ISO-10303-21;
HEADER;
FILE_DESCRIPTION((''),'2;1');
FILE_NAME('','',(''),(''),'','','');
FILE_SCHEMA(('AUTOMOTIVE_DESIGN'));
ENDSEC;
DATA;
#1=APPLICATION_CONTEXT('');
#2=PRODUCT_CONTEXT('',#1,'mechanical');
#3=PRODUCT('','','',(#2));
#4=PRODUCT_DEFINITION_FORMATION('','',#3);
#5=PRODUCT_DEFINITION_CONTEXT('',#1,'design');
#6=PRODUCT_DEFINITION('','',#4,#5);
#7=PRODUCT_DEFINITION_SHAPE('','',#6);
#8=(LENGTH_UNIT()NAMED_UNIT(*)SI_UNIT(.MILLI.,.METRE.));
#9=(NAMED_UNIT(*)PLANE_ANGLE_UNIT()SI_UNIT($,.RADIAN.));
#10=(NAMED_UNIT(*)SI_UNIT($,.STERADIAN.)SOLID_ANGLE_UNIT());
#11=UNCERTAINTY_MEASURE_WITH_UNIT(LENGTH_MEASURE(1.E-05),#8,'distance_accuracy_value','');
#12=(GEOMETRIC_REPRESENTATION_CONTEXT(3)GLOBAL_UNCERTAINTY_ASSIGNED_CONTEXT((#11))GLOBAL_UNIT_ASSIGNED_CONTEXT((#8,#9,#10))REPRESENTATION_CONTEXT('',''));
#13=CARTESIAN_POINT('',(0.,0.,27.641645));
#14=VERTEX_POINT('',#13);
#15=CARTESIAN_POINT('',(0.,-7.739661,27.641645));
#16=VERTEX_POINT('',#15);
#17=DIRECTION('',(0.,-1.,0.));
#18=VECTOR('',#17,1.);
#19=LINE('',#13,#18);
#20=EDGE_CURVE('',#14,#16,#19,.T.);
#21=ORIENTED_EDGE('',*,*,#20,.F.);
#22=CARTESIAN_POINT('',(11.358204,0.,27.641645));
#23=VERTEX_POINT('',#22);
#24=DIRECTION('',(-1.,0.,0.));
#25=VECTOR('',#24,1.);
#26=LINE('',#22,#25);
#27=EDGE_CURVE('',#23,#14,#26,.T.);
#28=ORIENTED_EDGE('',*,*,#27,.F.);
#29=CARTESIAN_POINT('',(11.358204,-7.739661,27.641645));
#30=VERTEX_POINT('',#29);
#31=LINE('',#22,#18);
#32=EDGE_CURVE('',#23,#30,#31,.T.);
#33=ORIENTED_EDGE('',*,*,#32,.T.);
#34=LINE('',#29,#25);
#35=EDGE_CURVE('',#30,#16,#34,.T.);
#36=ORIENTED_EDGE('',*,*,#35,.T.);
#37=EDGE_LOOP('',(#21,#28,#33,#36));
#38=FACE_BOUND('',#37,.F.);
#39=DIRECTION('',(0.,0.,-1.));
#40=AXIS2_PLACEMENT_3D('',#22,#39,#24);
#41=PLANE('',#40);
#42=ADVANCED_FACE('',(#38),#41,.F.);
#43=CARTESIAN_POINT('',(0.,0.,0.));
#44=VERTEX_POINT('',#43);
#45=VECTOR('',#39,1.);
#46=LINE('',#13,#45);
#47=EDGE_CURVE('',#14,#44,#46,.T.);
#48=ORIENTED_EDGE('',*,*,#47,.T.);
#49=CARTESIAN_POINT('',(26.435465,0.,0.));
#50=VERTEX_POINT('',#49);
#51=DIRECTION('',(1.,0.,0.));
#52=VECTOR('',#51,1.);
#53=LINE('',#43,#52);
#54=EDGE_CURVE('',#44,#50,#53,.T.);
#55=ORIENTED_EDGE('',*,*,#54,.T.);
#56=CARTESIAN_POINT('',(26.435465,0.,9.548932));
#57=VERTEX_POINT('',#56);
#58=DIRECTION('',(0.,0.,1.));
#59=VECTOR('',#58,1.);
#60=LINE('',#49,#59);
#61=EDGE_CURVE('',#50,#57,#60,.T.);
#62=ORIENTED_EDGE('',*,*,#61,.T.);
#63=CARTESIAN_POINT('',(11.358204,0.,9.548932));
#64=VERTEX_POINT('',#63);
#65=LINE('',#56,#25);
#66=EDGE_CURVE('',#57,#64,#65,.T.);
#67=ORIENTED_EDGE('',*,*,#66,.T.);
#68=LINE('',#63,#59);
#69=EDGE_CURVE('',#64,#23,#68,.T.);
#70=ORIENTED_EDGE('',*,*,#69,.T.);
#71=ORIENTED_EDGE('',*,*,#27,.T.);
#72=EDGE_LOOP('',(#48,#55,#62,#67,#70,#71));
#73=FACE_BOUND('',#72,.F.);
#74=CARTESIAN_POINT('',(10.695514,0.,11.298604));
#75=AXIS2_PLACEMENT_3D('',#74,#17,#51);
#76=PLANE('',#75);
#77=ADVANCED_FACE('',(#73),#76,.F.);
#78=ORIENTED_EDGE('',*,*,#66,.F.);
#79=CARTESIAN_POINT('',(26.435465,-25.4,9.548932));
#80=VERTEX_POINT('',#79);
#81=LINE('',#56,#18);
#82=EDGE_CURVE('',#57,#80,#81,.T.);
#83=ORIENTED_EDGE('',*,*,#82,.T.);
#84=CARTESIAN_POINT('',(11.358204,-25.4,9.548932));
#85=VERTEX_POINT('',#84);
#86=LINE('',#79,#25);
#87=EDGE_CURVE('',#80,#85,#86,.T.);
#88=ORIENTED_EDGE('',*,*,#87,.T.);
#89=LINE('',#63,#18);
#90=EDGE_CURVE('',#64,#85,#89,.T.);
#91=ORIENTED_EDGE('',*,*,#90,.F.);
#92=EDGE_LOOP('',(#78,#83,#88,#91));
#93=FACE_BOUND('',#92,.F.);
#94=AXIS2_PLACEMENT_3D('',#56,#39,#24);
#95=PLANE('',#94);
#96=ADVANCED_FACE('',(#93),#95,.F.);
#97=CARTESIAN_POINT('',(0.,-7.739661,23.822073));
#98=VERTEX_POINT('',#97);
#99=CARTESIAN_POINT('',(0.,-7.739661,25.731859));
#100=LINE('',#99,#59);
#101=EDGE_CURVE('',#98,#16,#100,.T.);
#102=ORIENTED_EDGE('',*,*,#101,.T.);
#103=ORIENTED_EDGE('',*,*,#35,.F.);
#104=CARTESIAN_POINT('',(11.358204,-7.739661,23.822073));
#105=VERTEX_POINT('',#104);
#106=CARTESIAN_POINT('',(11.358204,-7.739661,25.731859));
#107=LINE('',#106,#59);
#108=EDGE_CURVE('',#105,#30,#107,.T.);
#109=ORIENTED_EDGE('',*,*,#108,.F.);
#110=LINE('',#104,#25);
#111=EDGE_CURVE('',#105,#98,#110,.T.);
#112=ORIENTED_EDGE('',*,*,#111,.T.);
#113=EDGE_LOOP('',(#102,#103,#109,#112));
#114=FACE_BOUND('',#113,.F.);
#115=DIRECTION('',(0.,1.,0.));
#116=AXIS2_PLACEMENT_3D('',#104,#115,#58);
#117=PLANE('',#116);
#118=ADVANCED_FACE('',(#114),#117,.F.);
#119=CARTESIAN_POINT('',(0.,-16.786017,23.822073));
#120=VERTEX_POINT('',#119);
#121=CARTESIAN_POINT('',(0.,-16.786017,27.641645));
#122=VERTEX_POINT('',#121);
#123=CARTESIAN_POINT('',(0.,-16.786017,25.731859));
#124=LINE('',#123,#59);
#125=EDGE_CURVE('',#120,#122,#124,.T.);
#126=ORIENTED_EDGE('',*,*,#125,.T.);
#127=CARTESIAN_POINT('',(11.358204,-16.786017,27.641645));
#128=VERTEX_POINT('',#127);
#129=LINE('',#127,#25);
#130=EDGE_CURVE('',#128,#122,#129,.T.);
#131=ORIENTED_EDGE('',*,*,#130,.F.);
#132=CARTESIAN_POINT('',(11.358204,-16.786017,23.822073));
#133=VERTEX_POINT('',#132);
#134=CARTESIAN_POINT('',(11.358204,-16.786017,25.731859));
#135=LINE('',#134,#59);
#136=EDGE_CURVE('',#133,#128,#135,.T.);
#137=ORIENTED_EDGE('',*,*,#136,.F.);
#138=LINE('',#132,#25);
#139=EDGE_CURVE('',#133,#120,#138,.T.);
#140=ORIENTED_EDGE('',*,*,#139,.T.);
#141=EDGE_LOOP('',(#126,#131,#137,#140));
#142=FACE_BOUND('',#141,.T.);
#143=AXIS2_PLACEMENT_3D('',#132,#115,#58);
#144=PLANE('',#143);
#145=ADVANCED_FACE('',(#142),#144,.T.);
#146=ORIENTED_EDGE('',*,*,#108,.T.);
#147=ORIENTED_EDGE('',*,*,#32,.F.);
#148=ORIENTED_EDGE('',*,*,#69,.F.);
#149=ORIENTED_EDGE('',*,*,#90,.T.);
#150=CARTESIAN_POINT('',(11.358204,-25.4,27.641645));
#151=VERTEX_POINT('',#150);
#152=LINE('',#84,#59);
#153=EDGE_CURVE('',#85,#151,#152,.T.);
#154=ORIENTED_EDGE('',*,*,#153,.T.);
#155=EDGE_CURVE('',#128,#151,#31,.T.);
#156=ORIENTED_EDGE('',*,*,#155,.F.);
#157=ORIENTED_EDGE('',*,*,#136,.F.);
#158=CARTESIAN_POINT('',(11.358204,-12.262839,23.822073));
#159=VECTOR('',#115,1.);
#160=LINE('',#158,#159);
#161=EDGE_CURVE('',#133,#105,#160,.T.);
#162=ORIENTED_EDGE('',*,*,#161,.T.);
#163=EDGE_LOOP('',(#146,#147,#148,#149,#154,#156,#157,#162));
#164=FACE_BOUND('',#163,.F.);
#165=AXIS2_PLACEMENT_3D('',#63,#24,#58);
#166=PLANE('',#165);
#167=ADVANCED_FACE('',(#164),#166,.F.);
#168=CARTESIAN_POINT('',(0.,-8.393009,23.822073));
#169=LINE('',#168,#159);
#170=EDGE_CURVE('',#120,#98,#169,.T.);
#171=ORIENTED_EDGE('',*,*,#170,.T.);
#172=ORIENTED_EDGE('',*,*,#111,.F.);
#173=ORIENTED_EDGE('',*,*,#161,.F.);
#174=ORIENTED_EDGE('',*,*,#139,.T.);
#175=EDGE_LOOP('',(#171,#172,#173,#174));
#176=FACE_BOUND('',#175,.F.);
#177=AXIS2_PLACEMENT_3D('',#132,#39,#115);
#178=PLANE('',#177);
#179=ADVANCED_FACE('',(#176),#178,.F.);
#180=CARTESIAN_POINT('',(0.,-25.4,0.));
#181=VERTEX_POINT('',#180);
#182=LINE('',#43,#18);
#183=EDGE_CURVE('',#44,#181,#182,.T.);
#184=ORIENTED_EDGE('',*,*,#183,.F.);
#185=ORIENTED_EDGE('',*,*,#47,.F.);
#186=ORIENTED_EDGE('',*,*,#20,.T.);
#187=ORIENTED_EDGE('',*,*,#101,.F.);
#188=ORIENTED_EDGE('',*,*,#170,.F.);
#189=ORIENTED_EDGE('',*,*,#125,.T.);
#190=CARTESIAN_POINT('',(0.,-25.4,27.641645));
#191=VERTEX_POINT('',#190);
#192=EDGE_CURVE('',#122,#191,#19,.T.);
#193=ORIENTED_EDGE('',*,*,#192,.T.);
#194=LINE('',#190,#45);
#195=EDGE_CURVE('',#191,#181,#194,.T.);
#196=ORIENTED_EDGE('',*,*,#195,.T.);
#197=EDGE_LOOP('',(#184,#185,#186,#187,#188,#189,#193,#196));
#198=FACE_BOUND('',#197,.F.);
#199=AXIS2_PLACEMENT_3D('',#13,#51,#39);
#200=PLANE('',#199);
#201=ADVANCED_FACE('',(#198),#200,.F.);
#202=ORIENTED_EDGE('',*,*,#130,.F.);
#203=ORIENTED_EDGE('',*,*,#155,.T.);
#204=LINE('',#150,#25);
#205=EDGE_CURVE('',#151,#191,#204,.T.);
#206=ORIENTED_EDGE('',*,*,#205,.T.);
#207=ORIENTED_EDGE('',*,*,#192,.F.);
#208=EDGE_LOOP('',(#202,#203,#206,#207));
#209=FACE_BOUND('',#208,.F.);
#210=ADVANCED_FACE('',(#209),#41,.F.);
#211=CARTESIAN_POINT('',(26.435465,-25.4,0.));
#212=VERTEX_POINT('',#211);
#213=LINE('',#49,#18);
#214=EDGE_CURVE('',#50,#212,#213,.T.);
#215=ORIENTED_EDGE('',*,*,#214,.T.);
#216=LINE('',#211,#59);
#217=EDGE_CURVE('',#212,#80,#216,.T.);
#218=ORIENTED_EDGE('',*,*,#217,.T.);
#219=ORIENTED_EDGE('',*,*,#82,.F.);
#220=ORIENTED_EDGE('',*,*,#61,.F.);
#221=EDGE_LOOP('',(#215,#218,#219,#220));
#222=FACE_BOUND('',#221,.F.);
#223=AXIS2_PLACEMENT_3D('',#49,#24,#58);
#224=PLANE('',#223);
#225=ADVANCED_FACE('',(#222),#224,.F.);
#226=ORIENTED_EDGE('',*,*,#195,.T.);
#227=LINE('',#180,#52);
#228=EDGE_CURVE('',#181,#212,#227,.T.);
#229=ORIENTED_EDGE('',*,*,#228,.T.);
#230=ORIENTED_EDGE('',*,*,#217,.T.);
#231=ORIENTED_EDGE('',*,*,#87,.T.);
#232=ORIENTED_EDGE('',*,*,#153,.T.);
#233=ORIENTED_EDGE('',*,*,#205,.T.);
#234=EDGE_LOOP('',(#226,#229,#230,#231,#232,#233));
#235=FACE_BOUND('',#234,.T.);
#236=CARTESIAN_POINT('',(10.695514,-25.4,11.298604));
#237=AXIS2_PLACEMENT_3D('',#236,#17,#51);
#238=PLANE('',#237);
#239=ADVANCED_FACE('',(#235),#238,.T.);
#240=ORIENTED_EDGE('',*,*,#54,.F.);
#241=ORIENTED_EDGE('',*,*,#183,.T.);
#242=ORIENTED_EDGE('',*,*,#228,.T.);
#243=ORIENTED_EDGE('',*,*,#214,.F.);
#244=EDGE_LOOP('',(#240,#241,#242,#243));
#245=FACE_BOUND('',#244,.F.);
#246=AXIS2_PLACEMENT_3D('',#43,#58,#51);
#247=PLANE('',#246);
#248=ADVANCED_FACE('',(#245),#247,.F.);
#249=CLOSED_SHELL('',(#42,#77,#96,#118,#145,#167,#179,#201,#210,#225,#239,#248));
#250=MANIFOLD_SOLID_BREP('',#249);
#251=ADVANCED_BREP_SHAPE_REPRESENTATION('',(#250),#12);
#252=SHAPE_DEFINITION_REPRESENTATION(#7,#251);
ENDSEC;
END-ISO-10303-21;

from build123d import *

# Parameters (mm, degrees)
F1_DEPTH = 25.4
F2_W     = 9.046357
F2_H     = 3.819572
F3_DEPTH = 25.4


with BuildPart() as f1:
    # F0 (on Front) → F1 (new body)
    with BuildSketch(Plane.XZ):
        Polygon((0, 27.641645), (0, 0), (26.435465, 0), (26.435465, 9.548932), (11.358204, 9.548932), (11.358204, 27.641645), align=None)
    extrude(amount=F1_DEPTH)

    # F2 (on face) → F3 (cut)
    with BuildSketch(Plane.YZ.offset(11.358204)):
        with Locations((-12.262839, 25.731859)):
            Rectangle(F2_W, F2_H)
    extrude(amount=-F3_DEPTH, mode=Mode.SUBTRACT)


solid = f1.part
